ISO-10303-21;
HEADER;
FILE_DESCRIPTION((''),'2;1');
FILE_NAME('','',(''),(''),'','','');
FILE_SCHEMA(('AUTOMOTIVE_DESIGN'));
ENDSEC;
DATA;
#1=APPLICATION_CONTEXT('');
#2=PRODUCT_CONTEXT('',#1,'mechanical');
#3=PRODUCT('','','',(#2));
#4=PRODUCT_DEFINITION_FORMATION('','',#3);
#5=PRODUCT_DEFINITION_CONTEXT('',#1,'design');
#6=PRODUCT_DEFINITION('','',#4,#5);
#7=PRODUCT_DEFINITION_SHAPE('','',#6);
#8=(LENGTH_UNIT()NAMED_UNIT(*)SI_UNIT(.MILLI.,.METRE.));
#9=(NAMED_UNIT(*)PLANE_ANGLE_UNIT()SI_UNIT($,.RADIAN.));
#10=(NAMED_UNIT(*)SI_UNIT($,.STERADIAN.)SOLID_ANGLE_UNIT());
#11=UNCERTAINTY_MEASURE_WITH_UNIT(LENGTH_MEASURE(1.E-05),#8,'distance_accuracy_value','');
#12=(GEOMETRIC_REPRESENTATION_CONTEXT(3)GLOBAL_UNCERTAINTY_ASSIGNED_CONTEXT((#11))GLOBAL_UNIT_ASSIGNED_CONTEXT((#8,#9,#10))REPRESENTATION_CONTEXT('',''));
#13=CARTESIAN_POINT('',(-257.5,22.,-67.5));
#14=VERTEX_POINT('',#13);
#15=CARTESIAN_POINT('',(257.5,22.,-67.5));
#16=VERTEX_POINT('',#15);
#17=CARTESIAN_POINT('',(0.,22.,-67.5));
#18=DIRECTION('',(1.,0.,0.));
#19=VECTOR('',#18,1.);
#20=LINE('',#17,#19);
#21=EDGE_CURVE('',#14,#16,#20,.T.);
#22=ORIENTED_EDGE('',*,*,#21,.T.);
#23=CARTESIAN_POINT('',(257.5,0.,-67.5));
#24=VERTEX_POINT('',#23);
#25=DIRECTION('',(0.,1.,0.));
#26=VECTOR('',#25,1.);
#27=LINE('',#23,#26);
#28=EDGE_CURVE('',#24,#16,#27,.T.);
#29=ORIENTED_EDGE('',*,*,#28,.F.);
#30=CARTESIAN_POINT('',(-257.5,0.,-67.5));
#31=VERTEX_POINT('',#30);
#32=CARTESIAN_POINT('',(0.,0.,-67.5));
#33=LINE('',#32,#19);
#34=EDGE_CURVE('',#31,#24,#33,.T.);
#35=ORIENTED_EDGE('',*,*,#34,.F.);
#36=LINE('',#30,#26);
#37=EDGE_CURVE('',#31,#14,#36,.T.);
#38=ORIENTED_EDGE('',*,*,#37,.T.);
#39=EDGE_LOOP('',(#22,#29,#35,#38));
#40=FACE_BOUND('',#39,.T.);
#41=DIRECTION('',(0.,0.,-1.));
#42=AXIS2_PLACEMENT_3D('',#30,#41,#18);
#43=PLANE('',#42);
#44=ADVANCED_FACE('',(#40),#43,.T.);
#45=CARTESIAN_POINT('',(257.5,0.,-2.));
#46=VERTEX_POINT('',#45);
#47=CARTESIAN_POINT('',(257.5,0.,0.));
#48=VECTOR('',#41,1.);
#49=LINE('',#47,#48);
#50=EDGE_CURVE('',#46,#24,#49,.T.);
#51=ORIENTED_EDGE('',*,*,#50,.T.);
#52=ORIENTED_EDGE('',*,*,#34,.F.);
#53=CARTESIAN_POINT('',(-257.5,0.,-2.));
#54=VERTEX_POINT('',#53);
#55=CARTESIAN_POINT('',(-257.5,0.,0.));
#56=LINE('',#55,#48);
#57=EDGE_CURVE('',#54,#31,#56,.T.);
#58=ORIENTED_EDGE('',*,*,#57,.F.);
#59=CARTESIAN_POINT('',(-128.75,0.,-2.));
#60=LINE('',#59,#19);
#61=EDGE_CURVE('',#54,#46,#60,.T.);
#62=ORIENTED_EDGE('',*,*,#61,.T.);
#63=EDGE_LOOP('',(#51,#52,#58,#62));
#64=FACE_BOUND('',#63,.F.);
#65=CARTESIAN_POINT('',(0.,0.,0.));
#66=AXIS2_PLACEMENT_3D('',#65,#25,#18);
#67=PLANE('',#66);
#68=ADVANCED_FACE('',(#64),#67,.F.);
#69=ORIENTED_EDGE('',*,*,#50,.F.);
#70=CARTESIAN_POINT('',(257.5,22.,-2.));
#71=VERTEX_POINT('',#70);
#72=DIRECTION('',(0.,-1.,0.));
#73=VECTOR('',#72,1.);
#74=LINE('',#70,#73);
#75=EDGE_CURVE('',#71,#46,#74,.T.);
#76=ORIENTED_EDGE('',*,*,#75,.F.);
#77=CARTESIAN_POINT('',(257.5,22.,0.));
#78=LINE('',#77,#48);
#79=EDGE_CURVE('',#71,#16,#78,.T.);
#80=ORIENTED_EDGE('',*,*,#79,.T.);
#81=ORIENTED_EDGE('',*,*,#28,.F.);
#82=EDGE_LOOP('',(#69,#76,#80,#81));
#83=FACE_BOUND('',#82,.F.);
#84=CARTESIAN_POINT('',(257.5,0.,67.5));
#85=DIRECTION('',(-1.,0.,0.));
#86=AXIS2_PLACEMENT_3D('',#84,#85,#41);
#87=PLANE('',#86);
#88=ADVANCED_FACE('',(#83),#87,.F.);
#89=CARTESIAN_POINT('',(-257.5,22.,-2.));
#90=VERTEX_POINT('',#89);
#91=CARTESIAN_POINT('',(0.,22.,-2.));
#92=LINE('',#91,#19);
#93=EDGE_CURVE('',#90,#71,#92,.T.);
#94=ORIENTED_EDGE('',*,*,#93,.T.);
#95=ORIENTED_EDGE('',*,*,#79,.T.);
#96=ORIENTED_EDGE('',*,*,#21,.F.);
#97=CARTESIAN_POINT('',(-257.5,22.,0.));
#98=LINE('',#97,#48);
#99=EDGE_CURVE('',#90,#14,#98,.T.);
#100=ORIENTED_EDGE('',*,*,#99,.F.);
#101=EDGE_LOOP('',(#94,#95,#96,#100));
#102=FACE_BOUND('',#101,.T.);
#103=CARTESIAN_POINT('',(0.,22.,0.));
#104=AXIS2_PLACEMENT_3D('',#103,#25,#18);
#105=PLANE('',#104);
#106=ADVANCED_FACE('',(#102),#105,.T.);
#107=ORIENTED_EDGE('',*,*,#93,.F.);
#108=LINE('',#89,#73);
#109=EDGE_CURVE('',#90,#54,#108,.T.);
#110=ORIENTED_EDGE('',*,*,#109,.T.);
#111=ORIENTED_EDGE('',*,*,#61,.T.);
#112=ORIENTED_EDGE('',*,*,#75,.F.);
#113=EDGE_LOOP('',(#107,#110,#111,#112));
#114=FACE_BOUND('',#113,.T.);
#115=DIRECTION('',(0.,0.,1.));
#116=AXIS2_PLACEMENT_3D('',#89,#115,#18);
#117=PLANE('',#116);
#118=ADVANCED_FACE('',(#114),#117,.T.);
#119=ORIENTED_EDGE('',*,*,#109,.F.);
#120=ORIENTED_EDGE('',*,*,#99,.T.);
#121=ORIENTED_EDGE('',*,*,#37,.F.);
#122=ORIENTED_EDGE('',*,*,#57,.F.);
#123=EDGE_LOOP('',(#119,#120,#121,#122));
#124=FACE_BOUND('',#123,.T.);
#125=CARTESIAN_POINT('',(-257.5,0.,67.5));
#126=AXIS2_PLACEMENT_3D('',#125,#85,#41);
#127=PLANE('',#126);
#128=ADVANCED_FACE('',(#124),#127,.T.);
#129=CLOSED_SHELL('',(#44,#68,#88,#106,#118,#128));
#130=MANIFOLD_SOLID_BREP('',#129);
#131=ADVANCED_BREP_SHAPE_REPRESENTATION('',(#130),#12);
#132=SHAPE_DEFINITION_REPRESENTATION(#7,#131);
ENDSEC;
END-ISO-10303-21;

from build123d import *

# Parameters (mm, degrees)
SKETCH_1_W          = 515
SKETCH_1_H          = 135
EXTRUDE_1_DEPTH     = 22
SKETCH_2_W          = 515
SKETCH_2_H          = 69.5
CUT_EXTRUDE_1_DEPTH = 23


with BuildPart() as part:
    # Эскиз1 → Бобышка-Вытянуть1 (new body)
    with BuildSketch(Plane(origin=(0, 0, 0), x_dir=(1, 0, 0), z_dir=(0, 1, 0))):
        Rectangle(SKETCH_1_W, SKETCH_1_H)
    extrude(amount=EXTRUDE_1_DEPTH)

    # Эскиз2 → Вырез-Вытянуть1 (cut, through all)
    with BuildSketch(Plane(origin=(0, 22, 0), x_dir=(1, 0, 0), z_dir=(0, 1, 0))):
        with Locations((0, -32.75)):
            Rectangle(SKETCH_2_W, SKETCH_2_H)
    extrude(amount=-CUT_EXTRUDE_1_DEPTH, mode=Mode.SUBTRACT)


solid = part.part
